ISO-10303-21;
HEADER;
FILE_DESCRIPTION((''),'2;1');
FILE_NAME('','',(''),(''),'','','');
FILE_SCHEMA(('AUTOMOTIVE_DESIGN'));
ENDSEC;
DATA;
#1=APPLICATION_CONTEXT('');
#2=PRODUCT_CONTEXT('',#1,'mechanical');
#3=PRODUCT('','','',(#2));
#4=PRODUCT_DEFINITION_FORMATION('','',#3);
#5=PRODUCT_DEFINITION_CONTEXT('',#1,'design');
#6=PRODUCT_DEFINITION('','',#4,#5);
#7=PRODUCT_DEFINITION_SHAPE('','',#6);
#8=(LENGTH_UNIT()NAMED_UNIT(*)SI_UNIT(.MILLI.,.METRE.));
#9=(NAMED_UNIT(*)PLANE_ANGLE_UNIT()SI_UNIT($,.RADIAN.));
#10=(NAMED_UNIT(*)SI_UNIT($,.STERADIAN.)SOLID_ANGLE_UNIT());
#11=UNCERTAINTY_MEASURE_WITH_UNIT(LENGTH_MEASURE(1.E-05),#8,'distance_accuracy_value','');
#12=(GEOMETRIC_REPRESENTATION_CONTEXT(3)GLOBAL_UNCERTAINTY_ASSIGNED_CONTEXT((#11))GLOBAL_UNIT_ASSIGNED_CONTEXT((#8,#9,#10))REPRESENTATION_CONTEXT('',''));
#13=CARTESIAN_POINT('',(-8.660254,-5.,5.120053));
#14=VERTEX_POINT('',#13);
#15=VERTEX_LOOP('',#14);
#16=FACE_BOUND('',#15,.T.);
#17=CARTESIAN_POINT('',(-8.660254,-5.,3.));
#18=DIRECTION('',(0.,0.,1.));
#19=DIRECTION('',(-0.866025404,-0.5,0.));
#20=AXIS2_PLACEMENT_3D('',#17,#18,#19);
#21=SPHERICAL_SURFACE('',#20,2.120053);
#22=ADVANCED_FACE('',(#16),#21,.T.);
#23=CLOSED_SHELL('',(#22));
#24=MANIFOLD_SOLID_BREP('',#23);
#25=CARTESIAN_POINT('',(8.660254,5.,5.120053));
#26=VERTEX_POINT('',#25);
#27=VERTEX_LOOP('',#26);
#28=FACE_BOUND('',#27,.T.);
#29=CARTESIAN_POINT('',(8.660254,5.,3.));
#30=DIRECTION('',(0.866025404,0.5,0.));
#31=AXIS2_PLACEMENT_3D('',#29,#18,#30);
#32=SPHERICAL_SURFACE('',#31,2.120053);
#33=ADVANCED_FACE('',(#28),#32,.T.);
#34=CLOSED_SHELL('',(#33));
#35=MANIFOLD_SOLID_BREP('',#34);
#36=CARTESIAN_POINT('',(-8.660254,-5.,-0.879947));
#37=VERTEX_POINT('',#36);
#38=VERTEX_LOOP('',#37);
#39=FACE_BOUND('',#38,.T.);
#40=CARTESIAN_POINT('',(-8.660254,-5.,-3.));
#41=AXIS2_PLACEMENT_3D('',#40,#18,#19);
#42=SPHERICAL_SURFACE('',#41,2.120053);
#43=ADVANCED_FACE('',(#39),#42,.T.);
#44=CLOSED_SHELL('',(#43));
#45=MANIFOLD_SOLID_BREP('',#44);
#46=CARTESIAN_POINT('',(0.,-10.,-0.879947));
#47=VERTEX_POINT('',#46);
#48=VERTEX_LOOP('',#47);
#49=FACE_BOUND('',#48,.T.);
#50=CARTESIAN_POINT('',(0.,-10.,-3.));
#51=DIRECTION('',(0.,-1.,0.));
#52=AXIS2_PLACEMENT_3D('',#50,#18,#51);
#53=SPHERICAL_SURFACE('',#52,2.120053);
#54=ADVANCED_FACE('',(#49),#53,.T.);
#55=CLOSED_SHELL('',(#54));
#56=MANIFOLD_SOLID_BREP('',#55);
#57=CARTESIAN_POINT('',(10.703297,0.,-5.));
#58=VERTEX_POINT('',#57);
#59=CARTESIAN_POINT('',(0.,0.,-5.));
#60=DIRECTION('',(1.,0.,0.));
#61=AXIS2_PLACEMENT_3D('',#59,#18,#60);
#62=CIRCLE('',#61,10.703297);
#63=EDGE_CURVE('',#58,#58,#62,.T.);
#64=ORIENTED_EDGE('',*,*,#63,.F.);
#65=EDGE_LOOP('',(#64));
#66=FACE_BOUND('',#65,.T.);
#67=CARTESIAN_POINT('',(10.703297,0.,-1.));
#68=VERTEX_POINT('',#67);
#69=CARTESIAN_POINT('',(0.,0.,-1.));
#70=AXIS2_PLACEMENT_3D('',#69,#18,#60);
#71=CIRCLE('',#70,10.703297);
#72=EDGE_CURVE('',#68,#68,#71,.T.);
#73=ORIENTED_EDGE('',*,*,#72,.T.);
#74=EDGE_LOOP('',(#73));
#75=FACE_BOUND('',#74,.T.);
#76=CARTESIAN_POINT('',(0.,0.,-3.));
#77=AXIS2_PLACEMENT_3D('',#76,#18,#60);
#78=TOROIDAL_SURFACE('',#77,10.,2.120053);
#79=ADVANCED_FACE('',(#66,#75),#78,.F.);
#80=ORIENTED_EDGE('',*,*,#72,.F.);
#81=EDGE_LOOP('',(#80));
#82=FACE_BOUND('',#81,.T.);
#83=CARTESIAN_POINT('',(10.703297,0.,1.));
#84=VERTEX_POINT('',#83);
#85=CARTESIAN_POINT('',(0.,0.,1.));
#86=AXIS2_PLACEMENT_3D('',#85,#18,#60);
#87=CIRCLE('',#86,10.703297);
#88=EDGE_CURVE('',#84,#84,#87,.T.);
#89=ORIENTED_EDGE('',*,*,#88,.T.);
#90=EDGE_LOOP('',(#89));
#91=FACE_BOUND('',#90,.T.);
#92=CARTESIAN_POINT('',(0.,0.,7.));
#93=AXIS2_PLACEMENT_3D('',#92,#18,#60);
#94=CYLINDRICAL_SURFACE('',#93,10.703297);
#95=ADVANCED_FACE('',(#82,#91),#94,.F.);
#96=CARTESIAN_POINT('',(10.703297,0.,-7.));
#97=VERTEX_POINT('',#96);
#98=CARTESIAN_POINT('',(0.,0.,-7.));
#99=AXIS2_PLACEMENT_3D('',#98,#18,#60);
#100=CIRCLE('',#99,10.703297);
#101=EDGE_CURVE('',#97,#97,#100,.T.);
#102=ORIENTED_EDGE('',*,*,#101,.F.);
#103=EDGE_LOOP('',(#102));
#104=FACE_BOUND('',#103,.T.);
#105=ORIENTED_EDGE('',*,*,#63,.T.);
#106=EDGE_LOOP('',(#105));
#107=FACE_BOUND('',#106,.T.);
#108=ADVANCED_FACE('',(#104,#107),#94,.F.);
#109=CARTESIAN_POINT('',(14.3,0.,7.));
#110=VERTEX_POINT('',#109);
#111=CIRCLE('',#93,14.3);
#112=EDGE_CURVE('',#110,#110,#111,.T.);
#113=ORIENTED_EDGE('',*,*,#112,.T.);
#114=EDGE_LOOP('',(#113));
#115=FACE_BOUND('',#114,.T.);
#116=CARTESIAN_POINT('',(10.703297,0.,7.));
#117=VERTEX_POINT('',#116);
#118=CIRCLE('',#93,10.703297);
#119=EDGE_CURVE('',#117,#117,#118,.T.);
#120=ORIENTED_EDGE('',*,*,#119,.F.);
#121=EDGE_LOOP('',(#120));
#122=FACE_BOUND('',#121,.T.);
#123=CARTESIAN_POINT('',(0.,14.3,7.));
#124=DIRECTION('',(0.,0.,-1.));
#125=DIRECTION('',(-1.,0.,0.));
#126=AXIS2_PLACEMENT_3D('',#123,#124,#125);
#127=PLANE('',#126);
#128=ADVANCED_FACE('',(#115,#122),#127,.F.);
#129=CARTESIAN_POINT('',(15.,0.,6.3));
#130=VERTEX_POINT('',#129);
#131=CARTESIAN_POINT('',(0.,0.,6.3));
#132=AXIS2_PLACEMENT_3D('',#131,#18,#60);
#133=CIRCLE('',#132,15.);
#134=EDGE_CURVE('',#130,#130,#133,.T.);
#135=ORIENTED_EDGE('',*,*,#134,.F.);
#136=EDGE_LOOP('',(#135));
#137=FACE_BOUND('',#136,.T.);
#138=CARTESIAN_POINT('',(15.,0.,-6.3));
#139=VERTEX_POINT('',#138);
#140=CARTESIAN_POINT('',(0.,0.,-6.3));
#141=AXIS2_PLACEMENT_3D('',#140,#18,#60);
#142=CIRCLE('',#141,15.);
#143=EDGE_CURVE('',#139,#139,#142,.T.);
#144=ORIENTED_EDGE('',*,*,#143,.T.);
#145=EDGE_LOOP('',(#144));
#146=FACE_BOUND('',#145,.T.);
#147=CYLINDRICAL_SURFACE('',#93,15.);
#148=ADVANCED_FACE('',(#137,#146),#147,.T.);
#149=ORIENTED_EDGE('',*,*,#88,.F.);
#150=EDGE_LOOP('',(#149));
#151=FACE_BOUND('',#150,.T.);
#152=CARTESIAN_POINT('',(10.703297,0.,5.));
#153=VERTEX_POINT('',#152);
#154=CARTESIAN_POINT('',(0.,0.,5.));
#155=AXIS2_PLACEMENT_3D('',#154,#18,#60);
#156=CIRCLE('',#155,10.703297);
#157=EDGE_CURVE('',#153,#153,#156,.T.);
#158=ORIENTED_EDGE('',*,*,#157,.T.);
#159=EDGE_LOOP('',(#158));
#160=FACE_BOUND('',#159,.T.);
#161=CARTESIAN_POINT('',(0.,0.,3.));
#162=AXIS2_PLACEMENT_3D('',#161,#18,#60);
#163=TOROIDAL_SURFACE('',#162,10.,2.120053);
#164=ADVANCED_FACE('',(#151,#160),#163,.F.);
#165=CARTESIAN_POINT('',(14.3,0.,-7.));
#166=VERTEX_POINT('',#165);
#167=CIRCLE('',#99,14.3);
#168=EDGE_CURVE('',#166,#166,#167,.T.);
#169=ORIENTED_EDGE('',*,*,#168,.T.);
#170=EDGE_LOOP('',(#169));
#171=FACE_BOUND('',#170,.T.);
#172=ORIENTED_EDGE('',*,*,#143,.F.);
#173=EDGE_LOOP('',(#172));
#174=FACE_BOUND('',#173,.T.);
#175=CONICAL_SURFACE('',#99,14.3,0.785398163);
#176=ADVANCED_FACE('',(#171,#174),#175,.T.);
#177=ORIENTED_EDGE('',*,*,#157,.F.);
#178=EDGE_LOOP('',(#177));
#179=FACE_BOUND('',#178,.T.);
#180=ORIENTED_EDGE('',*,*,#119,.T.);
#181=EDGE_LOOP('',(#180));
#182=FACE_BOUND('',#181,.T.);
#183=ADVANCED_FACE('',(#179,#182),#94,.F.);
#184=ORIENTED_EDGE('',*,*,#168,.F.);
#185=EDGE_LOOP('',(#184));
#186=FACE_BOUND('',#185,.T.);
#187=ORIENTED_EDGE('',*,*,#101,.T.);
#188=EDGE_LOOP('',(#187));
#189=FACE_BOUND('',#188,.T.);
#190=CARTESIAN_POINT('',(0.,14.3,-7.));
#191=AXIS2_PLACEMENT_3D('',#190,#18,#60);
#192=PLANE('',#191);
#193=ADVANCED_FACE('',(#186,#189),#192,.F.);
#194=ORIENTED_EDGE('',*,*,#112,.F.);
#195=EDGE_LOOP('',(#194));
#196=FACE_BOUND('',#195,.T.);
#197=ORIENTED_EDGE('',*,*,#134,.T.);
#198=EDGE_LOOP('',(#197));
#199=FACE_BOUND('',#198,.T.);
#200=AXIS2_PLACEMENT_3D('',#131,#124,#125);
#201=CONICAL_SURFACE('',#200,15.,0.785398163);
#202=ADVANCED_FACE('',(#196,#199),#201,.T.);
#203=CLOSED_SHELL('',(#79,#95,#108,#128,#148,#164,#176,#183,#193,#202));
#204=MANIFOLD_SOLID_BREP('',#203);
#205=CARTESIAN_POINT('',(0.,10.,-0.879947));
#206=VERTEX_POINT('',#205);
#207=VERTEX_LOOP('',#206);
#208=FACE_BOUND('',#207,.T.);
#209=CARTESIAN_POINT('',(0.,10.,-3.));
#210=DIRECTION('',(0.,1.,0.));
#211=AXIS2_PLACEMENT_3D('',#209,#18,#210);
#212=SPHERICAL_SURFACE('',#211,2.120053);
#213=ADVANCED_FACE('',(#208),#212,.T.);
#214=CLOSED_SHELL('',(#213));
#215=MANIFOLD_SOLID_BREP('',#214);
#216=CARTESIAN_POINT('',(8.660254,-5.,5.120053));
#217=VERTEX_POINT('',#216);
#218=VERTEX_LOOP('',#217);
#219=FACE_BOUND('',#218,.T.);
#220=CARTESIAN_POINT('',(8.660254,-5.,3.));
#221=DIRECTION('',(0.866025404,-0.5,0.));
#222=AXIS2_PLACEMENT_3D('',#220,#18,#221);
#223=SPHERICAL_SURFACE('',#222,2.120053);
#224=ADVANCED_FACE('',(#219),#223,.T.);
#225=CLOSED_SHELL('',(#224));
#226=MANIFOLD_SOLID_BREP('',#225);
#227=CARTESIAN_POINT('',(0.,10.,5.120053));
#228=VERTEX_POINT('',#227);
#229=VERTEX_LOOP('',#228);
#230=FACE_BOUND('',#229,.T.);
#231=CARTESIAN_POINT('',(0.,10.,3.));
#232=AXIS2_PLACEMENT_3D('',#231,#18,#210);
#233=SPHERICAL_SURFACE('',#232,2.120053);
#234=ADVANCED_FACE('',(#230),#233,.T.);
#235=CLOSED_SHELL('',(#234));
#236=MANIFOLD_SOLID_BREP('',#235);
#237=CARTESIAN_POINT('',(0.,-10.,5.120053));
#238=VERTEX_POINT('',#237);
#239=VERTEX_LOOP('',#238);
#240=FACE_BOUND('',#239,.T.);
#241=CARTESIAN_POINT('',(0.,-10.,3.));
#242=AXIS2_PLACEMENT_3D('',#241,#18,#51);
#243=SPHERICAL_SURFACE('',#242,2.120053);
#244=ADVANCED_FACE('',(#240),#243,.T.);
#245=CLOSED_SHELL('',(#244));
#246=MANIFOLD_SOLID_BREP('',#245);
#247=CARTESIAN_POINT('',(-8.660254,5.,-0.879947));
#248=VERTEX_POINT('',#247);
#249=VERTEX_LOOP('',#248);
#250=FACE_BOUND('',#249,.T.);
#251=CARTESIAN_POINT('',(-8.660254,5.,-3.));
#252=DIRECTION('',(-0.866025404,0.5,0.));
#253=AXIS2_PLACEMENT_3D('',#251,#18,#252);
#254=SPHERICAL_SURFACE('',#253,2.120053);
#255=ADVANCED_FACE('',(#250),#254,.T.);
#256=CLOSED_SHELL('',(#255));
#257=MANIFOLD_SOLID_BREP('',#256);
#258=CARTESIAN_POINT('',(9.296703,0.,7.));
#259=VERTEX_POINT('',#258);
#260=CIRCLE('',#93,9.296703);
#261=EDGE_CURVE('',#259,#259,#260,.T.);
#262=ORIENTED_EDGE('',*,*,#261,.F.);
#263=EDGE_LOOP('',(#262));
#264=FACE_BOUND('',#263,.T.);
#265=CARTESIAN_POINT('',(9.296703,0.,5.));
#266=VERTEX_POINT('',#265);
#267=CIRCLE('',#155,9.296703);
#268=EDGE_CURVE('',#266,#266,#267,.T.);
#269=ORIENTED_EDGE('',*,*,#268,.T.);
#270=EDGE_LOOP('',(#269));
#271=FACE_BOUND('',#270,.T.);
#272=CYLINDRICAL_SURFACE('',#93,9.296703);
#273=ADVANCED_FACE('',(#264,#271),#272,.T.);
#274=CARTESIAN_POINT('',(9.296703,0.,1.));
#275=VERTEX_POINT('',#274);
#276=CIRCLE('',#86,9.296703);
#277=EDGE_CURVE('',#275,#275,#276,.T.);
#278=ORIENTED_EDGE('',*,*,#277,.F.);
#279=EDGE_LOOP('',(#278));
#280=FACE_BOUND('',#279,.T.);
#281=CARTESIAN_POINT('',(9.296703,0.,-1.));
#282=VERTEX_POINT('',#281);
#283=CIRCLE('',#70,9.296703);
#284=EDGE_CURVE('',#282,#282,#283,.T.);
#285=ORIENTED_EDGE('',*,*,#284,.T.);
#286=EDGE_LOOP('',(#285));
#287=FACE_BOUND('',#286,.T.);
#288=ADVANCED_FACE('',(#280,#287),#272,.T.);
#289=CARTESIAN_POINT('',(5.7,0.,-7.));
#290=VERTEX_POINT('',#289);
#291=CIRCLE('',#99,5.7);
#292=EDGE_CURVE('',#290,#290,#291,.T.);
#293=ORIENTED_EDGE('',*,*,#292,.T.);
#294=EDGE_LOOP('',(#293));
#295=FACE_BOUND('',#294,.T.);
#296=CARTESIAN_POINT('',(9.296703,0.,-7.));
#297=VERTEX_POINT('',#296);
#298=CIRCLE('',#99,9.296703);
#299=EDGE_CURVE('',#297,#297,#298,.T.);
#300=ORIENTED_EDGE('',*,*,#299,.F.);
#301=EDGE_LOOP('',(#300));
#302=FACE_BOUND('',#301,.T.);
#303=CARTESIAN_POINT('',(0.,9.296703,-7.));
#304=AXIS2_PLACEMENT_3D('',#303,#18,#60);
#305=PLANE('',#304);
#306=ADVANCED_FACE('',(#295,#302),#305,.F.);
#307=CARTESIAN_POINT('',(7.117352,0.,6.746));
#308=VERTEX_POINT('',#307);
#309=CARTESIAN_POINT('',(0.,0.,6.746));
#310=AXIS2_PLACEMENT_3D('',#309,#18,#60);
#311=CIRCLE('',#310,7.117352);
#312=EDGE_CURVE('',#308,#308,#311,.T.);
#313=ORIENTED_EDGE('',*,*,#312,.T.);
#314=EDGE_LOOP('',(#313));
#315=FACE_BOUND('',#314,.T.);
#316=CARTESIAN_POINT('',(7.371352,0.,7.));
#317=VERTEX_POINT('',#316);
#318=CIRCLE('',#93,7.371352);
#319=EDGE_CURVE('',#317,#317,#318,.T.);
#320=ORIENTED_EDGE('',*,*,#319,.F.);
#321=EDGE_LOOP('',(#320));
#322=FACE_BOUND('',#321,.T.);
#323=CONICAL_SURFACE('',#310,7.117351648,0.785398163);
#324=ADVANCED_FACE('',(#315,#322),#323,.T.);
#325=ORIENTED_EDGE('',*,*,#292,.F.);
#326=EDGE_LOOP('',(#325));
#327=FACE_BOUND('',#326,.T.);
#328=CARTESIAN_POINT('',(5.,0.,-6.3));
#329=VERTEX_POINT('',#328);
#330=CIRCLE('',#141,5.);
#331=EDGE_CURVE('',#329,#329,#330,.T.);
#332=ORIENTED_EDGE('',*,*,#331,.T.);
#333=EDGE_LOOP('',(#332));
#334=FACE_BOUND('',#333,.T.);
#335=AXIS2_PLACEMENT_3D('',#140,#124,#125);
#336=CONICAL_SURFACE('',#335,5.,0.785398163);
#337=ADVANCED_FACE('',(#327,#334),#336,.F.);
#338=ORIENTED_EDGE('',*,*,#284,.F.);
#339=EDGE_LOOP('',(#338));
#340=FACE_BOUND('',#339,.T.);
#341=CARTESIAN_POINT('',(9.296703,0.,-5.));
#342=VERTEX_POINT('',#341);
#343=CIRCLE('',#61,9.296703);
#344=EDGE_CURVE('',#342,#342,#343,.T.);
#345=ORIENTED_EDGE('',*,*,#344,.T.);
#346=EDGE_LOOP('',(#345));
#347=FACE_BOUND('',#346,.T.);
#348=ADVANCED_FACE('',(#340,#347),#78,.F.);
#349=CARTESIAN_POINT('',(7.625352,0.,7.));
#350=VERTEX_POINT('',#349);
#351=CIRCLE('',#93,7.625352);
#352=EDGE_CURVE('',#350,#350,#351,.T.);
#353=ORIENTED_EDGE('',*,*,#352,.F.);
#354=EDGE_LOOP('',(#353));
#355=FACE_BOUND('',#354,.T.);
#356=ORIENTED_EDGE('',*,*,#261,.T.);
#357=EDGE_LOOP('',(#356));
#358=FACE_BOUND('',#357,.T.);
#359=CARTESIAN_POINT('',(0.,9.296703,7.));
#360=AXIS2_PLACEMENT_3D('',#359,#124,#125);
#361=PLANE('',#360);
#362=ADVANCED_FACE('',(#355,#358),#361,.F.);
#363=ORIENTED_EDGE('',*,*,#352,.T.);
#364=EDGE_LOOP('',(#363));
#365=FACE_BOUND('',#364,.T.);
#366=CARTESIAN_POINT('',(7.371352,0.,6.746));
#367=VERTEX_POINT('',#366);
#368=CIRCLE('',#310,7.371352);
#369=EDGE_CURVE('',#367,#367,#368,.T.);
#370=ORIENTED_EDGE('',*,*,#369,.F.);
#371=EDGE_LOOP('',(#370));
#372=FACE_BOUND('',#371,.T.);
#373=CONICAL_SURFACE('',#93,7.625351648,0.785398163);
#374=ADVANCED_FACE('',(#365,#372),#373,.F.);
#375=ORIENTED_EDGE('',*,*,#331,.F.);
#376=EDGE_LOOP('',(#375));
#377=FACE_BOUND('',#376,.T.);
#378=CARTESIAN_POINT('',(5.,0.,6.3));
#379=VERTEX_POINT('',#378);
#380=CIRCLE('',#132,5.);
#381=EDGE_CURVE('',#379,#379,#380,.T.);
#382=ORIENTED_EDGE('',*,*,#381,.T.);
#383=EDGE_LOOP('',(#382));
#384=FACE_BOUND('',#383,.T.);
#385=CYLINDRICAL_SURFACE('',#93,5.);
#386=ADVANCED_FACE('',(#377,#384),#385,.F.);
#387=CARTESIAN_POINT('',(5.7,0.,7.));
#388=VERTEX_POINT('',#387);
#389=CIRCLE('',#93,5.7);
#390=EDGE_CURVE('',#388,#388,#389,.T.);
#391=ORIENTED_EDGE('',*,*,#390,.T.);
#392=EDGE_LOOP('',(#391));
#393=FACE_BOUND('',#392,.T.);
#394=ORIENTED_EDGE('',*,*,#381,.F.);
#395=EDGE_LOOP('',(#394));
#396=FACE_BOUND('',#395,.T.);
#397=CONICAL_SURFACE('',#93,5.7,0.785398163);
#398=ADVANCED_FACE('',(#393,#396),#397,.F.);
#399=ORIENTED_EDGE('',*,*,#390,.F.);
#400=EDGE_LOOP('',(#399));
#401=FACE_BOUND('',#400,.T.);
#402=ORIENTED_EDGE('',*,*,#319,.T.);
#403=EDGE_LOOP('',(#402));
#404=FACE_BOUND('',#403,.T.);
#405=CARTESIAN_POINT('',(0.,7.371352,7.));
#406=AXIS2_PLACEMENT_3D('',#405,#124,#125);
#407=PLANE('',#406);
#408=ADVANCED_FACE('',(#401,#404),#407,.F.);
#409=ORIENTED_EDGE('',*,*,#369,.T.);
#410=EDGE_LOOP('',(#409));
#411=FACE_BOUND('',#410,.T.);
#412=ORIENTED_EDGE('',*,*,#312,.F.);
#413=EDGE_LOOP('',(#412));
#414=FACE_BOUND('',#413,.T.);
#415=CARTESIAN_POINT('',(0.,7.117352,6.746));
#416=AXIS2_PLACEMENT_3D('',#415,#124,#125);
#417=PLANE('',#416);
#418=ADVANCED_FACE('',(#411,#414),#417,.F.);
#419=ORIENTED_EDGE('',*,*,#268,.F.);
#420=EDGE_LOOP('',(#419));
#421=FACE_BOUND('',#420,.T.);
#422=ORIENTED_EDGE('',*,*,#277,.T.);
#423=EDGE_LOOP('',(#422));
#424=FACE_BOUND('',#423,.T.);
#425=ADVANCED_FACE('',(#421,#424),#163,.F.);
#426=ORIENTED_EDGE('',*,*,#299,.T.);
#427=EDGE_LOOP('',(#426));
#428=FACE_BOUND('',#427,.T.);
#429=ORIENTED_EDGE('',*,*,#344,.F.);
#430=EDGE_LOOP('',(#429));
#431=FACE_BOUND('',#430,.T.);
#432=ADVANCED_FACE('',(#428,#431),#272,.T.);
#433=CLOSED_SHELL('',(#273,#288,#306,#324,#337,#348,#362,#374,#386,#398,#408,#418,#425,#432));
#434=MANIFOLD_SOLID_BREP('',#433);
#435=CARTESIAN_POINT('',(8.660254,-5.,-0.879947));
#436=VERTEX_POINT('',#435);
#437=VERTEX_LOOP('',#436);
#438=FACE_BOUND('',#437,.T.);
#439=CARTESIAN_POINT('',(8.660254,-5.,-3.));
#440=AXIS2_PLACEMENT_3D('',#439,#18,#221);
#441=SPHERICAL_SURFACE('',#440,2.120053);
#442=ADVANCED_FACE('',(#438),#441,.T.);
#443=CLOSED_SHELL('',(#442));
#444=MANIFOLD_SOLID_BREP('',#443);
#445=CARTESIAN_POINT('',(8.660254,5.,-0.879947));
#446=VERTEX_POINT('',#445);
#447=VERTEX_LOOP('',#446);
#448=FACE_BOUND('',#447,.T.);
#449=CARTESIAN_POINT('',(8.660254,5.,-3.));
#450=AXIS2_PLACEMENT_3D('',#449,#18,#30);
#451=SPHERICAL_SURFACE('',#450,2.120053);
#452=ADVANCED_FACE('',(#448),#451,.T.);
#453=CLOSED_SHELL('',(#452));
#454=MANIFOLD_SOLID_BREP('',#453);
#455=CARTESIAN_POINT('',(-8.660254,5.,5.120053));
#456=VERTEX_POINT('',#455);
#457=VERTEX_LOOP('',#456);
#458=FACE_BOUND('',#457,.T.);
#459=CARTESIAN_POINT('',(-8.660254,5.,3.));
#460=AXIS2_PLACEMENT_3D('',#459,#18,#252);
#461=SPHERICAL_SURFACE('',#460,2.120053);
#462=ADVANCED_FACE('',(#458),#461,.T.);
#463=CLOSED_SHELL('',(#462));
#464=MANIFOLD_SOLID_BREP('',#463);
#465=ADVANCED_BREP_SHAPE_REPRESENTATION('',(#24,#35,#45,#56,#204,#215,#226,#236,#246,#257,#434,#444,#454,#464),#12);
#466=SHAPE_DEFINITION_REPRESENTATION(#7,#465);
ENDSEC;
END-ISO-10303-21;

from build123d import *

# Parameters (mm, degrees)
CIRPATTERN1_COUNT = 6


with BuildPart() as part:
    # Sketch1 → Revolve1 (revolve)
    with BuildSketch(Plane(origin=(0, 0, 0), x_dir=(0, 0, -1), z_dir=(1, 0, 0)), mode=Mode.PRIVATE) as revolve1_sk:
        with BuildLine():
            Line((6.3, 15), (-6.3, 15))
            Line((-6.3, 15), (-7, 14.3))
            Line((-7, 14.3), (-7, 10.703296703))
            Line((-7, 10.703296703), (-5, 10.703296703))
            ThreePointArc((-5, 10.703296703), (-3, 12.120053361), (-1, 10.703296703))
            Line((-1, 10.703296703), (1, 10.703296703))
            ThreePointArc((1, 10.703296703), (3, 12.120053361), (5, 10.703296703))
            Line((5, 10.703296703), (7, 10.703296703))
            Line((7, 10.703296703), (7, 14.3))
            Line((7, 14.3), (6.3, 15))
        make_face()
    revolve(revolve1_sk.sketch.rotate(Axis((0, 0, 7), (0, 0, -1)), 90), axis=Axis((0, 0, 7), (0, 0, -1)))


with BuildPart() as body_2:
    # Sketch3 → Revolve3 (revolve)
    with BuildSketch(Plane(origin=(0, 0, 0), x_dir=(0, 0, -1), z_dir=(1, 0, 0)), mode=Mode.PRIVATE) as revolve3_sk:
        with BuildLine():
            Line((-1, 9.296703297), (1, 9.296703297))
            ThreePointArc((1, 9.296703297), (3, 7.879946639), (5, 9.296703297))
            Line((5, 9.296703297), (7, 9.296703297))
            Line((7, 9.296703297), (7, 5.7))
            Line((7, 5.7), (6.3, 5))
            Line((6.3, 5), (-6.3, 5))
            Line((-6.3, 5), (-7, 5.7))
            Line((-7, 5.7), (-7, 7.371351648))
            Line((-7, 7.371351648), (-6.746, 7.117351648))
            Line((-6.746, 7.117351648), (-6.746, 7.371351648))
            Line((-6.746, 7.371351648), (-7, 7.625351648))
            Line((-7, 7.625351648), (-7, 9.296703297))
            Line((-7, 9.296703297), (-5, 9.296703297))
            ThreePointArc((-5, 9.296703297), (-3, 7.879946639), (-1, 9.296703297))
        make_face()
    revolve(revolve3_sk.sketch.rotate(Axis((0, 0, 7), (0, 0, -1)), 90), axis=Axis((0, 0, 7), (0, 0, -1)))


with BuildPart() as body_3:
    # Sketch4 → Revolve4 (revolve)
    with BuildSketch(Plane(origin=(0, 0, 0), x_dir=(0, 0, -1), z_dir=(1, 0, 0))):
        with BuildLine():
            Line((-5.120053361, 10), (-0.879946639, 10))
            ThreePointArc((-0.879946639, 10), (-3, 12.120053361), (-5.120053361, 10))
        make_face()
        with BuildLine():
            Line((0.879946639, 10), (5.120053361, 10))
            ThreePointArc((5.120053361, 10), (3, 12.120053361), (0.879946639, 10))
        make_face()
    revolve(axis=Axis((0, 10, 0.879946639), (0, 0, -1)))


with BuildPart() as cirpattern1_1:
    # CirPattern1: pattern copy
    add(body_3.part.rotate(Axis((0, 0, 0), (0, 0, 1)), 1 * 360 / CIRPATTERN1_COUNT))


with BuildPart() as cirpattern1_2:
    # CirPattern1: pattern copy
    add(body_3.part.rotate(Axis((0, 0, 0), (0, 0, 1)), 2 * 360 / CIRPATTERN1_COUNT))


with BuildPart() as cirpattern1_3:
    # CirPattern1: pattern copy
    add(body_3.part.rotate(Axis((0, 0, 0), (0, 0, 1)), 3 * 360 / CIRPATTERN1_COUNT))


with BuildPart() as cirpattern1_4:
    # CirPattern1: pattern copy
    add(body_3.part.rotate(Axis((0, 0, 0), (0, 0, 1)), 4 * 360 / CIRPATTERN1_COUNT))


with BuildPart() as cirpattern1_5:
    # CirPattern1: pattern copy
    add(body_3.part.rotate(Axis((0, 0, 0), (0, 0, 1)), 5 * 360 / CIRPATTERN1_COUNT))


solid = Compound([part.part, body_2.part, body_3.part, cirpattern1_1.part, cirpattern1_2.part, cirpattern1_3.part, cirpattern1_4.part, cirpattern1_5.part])
